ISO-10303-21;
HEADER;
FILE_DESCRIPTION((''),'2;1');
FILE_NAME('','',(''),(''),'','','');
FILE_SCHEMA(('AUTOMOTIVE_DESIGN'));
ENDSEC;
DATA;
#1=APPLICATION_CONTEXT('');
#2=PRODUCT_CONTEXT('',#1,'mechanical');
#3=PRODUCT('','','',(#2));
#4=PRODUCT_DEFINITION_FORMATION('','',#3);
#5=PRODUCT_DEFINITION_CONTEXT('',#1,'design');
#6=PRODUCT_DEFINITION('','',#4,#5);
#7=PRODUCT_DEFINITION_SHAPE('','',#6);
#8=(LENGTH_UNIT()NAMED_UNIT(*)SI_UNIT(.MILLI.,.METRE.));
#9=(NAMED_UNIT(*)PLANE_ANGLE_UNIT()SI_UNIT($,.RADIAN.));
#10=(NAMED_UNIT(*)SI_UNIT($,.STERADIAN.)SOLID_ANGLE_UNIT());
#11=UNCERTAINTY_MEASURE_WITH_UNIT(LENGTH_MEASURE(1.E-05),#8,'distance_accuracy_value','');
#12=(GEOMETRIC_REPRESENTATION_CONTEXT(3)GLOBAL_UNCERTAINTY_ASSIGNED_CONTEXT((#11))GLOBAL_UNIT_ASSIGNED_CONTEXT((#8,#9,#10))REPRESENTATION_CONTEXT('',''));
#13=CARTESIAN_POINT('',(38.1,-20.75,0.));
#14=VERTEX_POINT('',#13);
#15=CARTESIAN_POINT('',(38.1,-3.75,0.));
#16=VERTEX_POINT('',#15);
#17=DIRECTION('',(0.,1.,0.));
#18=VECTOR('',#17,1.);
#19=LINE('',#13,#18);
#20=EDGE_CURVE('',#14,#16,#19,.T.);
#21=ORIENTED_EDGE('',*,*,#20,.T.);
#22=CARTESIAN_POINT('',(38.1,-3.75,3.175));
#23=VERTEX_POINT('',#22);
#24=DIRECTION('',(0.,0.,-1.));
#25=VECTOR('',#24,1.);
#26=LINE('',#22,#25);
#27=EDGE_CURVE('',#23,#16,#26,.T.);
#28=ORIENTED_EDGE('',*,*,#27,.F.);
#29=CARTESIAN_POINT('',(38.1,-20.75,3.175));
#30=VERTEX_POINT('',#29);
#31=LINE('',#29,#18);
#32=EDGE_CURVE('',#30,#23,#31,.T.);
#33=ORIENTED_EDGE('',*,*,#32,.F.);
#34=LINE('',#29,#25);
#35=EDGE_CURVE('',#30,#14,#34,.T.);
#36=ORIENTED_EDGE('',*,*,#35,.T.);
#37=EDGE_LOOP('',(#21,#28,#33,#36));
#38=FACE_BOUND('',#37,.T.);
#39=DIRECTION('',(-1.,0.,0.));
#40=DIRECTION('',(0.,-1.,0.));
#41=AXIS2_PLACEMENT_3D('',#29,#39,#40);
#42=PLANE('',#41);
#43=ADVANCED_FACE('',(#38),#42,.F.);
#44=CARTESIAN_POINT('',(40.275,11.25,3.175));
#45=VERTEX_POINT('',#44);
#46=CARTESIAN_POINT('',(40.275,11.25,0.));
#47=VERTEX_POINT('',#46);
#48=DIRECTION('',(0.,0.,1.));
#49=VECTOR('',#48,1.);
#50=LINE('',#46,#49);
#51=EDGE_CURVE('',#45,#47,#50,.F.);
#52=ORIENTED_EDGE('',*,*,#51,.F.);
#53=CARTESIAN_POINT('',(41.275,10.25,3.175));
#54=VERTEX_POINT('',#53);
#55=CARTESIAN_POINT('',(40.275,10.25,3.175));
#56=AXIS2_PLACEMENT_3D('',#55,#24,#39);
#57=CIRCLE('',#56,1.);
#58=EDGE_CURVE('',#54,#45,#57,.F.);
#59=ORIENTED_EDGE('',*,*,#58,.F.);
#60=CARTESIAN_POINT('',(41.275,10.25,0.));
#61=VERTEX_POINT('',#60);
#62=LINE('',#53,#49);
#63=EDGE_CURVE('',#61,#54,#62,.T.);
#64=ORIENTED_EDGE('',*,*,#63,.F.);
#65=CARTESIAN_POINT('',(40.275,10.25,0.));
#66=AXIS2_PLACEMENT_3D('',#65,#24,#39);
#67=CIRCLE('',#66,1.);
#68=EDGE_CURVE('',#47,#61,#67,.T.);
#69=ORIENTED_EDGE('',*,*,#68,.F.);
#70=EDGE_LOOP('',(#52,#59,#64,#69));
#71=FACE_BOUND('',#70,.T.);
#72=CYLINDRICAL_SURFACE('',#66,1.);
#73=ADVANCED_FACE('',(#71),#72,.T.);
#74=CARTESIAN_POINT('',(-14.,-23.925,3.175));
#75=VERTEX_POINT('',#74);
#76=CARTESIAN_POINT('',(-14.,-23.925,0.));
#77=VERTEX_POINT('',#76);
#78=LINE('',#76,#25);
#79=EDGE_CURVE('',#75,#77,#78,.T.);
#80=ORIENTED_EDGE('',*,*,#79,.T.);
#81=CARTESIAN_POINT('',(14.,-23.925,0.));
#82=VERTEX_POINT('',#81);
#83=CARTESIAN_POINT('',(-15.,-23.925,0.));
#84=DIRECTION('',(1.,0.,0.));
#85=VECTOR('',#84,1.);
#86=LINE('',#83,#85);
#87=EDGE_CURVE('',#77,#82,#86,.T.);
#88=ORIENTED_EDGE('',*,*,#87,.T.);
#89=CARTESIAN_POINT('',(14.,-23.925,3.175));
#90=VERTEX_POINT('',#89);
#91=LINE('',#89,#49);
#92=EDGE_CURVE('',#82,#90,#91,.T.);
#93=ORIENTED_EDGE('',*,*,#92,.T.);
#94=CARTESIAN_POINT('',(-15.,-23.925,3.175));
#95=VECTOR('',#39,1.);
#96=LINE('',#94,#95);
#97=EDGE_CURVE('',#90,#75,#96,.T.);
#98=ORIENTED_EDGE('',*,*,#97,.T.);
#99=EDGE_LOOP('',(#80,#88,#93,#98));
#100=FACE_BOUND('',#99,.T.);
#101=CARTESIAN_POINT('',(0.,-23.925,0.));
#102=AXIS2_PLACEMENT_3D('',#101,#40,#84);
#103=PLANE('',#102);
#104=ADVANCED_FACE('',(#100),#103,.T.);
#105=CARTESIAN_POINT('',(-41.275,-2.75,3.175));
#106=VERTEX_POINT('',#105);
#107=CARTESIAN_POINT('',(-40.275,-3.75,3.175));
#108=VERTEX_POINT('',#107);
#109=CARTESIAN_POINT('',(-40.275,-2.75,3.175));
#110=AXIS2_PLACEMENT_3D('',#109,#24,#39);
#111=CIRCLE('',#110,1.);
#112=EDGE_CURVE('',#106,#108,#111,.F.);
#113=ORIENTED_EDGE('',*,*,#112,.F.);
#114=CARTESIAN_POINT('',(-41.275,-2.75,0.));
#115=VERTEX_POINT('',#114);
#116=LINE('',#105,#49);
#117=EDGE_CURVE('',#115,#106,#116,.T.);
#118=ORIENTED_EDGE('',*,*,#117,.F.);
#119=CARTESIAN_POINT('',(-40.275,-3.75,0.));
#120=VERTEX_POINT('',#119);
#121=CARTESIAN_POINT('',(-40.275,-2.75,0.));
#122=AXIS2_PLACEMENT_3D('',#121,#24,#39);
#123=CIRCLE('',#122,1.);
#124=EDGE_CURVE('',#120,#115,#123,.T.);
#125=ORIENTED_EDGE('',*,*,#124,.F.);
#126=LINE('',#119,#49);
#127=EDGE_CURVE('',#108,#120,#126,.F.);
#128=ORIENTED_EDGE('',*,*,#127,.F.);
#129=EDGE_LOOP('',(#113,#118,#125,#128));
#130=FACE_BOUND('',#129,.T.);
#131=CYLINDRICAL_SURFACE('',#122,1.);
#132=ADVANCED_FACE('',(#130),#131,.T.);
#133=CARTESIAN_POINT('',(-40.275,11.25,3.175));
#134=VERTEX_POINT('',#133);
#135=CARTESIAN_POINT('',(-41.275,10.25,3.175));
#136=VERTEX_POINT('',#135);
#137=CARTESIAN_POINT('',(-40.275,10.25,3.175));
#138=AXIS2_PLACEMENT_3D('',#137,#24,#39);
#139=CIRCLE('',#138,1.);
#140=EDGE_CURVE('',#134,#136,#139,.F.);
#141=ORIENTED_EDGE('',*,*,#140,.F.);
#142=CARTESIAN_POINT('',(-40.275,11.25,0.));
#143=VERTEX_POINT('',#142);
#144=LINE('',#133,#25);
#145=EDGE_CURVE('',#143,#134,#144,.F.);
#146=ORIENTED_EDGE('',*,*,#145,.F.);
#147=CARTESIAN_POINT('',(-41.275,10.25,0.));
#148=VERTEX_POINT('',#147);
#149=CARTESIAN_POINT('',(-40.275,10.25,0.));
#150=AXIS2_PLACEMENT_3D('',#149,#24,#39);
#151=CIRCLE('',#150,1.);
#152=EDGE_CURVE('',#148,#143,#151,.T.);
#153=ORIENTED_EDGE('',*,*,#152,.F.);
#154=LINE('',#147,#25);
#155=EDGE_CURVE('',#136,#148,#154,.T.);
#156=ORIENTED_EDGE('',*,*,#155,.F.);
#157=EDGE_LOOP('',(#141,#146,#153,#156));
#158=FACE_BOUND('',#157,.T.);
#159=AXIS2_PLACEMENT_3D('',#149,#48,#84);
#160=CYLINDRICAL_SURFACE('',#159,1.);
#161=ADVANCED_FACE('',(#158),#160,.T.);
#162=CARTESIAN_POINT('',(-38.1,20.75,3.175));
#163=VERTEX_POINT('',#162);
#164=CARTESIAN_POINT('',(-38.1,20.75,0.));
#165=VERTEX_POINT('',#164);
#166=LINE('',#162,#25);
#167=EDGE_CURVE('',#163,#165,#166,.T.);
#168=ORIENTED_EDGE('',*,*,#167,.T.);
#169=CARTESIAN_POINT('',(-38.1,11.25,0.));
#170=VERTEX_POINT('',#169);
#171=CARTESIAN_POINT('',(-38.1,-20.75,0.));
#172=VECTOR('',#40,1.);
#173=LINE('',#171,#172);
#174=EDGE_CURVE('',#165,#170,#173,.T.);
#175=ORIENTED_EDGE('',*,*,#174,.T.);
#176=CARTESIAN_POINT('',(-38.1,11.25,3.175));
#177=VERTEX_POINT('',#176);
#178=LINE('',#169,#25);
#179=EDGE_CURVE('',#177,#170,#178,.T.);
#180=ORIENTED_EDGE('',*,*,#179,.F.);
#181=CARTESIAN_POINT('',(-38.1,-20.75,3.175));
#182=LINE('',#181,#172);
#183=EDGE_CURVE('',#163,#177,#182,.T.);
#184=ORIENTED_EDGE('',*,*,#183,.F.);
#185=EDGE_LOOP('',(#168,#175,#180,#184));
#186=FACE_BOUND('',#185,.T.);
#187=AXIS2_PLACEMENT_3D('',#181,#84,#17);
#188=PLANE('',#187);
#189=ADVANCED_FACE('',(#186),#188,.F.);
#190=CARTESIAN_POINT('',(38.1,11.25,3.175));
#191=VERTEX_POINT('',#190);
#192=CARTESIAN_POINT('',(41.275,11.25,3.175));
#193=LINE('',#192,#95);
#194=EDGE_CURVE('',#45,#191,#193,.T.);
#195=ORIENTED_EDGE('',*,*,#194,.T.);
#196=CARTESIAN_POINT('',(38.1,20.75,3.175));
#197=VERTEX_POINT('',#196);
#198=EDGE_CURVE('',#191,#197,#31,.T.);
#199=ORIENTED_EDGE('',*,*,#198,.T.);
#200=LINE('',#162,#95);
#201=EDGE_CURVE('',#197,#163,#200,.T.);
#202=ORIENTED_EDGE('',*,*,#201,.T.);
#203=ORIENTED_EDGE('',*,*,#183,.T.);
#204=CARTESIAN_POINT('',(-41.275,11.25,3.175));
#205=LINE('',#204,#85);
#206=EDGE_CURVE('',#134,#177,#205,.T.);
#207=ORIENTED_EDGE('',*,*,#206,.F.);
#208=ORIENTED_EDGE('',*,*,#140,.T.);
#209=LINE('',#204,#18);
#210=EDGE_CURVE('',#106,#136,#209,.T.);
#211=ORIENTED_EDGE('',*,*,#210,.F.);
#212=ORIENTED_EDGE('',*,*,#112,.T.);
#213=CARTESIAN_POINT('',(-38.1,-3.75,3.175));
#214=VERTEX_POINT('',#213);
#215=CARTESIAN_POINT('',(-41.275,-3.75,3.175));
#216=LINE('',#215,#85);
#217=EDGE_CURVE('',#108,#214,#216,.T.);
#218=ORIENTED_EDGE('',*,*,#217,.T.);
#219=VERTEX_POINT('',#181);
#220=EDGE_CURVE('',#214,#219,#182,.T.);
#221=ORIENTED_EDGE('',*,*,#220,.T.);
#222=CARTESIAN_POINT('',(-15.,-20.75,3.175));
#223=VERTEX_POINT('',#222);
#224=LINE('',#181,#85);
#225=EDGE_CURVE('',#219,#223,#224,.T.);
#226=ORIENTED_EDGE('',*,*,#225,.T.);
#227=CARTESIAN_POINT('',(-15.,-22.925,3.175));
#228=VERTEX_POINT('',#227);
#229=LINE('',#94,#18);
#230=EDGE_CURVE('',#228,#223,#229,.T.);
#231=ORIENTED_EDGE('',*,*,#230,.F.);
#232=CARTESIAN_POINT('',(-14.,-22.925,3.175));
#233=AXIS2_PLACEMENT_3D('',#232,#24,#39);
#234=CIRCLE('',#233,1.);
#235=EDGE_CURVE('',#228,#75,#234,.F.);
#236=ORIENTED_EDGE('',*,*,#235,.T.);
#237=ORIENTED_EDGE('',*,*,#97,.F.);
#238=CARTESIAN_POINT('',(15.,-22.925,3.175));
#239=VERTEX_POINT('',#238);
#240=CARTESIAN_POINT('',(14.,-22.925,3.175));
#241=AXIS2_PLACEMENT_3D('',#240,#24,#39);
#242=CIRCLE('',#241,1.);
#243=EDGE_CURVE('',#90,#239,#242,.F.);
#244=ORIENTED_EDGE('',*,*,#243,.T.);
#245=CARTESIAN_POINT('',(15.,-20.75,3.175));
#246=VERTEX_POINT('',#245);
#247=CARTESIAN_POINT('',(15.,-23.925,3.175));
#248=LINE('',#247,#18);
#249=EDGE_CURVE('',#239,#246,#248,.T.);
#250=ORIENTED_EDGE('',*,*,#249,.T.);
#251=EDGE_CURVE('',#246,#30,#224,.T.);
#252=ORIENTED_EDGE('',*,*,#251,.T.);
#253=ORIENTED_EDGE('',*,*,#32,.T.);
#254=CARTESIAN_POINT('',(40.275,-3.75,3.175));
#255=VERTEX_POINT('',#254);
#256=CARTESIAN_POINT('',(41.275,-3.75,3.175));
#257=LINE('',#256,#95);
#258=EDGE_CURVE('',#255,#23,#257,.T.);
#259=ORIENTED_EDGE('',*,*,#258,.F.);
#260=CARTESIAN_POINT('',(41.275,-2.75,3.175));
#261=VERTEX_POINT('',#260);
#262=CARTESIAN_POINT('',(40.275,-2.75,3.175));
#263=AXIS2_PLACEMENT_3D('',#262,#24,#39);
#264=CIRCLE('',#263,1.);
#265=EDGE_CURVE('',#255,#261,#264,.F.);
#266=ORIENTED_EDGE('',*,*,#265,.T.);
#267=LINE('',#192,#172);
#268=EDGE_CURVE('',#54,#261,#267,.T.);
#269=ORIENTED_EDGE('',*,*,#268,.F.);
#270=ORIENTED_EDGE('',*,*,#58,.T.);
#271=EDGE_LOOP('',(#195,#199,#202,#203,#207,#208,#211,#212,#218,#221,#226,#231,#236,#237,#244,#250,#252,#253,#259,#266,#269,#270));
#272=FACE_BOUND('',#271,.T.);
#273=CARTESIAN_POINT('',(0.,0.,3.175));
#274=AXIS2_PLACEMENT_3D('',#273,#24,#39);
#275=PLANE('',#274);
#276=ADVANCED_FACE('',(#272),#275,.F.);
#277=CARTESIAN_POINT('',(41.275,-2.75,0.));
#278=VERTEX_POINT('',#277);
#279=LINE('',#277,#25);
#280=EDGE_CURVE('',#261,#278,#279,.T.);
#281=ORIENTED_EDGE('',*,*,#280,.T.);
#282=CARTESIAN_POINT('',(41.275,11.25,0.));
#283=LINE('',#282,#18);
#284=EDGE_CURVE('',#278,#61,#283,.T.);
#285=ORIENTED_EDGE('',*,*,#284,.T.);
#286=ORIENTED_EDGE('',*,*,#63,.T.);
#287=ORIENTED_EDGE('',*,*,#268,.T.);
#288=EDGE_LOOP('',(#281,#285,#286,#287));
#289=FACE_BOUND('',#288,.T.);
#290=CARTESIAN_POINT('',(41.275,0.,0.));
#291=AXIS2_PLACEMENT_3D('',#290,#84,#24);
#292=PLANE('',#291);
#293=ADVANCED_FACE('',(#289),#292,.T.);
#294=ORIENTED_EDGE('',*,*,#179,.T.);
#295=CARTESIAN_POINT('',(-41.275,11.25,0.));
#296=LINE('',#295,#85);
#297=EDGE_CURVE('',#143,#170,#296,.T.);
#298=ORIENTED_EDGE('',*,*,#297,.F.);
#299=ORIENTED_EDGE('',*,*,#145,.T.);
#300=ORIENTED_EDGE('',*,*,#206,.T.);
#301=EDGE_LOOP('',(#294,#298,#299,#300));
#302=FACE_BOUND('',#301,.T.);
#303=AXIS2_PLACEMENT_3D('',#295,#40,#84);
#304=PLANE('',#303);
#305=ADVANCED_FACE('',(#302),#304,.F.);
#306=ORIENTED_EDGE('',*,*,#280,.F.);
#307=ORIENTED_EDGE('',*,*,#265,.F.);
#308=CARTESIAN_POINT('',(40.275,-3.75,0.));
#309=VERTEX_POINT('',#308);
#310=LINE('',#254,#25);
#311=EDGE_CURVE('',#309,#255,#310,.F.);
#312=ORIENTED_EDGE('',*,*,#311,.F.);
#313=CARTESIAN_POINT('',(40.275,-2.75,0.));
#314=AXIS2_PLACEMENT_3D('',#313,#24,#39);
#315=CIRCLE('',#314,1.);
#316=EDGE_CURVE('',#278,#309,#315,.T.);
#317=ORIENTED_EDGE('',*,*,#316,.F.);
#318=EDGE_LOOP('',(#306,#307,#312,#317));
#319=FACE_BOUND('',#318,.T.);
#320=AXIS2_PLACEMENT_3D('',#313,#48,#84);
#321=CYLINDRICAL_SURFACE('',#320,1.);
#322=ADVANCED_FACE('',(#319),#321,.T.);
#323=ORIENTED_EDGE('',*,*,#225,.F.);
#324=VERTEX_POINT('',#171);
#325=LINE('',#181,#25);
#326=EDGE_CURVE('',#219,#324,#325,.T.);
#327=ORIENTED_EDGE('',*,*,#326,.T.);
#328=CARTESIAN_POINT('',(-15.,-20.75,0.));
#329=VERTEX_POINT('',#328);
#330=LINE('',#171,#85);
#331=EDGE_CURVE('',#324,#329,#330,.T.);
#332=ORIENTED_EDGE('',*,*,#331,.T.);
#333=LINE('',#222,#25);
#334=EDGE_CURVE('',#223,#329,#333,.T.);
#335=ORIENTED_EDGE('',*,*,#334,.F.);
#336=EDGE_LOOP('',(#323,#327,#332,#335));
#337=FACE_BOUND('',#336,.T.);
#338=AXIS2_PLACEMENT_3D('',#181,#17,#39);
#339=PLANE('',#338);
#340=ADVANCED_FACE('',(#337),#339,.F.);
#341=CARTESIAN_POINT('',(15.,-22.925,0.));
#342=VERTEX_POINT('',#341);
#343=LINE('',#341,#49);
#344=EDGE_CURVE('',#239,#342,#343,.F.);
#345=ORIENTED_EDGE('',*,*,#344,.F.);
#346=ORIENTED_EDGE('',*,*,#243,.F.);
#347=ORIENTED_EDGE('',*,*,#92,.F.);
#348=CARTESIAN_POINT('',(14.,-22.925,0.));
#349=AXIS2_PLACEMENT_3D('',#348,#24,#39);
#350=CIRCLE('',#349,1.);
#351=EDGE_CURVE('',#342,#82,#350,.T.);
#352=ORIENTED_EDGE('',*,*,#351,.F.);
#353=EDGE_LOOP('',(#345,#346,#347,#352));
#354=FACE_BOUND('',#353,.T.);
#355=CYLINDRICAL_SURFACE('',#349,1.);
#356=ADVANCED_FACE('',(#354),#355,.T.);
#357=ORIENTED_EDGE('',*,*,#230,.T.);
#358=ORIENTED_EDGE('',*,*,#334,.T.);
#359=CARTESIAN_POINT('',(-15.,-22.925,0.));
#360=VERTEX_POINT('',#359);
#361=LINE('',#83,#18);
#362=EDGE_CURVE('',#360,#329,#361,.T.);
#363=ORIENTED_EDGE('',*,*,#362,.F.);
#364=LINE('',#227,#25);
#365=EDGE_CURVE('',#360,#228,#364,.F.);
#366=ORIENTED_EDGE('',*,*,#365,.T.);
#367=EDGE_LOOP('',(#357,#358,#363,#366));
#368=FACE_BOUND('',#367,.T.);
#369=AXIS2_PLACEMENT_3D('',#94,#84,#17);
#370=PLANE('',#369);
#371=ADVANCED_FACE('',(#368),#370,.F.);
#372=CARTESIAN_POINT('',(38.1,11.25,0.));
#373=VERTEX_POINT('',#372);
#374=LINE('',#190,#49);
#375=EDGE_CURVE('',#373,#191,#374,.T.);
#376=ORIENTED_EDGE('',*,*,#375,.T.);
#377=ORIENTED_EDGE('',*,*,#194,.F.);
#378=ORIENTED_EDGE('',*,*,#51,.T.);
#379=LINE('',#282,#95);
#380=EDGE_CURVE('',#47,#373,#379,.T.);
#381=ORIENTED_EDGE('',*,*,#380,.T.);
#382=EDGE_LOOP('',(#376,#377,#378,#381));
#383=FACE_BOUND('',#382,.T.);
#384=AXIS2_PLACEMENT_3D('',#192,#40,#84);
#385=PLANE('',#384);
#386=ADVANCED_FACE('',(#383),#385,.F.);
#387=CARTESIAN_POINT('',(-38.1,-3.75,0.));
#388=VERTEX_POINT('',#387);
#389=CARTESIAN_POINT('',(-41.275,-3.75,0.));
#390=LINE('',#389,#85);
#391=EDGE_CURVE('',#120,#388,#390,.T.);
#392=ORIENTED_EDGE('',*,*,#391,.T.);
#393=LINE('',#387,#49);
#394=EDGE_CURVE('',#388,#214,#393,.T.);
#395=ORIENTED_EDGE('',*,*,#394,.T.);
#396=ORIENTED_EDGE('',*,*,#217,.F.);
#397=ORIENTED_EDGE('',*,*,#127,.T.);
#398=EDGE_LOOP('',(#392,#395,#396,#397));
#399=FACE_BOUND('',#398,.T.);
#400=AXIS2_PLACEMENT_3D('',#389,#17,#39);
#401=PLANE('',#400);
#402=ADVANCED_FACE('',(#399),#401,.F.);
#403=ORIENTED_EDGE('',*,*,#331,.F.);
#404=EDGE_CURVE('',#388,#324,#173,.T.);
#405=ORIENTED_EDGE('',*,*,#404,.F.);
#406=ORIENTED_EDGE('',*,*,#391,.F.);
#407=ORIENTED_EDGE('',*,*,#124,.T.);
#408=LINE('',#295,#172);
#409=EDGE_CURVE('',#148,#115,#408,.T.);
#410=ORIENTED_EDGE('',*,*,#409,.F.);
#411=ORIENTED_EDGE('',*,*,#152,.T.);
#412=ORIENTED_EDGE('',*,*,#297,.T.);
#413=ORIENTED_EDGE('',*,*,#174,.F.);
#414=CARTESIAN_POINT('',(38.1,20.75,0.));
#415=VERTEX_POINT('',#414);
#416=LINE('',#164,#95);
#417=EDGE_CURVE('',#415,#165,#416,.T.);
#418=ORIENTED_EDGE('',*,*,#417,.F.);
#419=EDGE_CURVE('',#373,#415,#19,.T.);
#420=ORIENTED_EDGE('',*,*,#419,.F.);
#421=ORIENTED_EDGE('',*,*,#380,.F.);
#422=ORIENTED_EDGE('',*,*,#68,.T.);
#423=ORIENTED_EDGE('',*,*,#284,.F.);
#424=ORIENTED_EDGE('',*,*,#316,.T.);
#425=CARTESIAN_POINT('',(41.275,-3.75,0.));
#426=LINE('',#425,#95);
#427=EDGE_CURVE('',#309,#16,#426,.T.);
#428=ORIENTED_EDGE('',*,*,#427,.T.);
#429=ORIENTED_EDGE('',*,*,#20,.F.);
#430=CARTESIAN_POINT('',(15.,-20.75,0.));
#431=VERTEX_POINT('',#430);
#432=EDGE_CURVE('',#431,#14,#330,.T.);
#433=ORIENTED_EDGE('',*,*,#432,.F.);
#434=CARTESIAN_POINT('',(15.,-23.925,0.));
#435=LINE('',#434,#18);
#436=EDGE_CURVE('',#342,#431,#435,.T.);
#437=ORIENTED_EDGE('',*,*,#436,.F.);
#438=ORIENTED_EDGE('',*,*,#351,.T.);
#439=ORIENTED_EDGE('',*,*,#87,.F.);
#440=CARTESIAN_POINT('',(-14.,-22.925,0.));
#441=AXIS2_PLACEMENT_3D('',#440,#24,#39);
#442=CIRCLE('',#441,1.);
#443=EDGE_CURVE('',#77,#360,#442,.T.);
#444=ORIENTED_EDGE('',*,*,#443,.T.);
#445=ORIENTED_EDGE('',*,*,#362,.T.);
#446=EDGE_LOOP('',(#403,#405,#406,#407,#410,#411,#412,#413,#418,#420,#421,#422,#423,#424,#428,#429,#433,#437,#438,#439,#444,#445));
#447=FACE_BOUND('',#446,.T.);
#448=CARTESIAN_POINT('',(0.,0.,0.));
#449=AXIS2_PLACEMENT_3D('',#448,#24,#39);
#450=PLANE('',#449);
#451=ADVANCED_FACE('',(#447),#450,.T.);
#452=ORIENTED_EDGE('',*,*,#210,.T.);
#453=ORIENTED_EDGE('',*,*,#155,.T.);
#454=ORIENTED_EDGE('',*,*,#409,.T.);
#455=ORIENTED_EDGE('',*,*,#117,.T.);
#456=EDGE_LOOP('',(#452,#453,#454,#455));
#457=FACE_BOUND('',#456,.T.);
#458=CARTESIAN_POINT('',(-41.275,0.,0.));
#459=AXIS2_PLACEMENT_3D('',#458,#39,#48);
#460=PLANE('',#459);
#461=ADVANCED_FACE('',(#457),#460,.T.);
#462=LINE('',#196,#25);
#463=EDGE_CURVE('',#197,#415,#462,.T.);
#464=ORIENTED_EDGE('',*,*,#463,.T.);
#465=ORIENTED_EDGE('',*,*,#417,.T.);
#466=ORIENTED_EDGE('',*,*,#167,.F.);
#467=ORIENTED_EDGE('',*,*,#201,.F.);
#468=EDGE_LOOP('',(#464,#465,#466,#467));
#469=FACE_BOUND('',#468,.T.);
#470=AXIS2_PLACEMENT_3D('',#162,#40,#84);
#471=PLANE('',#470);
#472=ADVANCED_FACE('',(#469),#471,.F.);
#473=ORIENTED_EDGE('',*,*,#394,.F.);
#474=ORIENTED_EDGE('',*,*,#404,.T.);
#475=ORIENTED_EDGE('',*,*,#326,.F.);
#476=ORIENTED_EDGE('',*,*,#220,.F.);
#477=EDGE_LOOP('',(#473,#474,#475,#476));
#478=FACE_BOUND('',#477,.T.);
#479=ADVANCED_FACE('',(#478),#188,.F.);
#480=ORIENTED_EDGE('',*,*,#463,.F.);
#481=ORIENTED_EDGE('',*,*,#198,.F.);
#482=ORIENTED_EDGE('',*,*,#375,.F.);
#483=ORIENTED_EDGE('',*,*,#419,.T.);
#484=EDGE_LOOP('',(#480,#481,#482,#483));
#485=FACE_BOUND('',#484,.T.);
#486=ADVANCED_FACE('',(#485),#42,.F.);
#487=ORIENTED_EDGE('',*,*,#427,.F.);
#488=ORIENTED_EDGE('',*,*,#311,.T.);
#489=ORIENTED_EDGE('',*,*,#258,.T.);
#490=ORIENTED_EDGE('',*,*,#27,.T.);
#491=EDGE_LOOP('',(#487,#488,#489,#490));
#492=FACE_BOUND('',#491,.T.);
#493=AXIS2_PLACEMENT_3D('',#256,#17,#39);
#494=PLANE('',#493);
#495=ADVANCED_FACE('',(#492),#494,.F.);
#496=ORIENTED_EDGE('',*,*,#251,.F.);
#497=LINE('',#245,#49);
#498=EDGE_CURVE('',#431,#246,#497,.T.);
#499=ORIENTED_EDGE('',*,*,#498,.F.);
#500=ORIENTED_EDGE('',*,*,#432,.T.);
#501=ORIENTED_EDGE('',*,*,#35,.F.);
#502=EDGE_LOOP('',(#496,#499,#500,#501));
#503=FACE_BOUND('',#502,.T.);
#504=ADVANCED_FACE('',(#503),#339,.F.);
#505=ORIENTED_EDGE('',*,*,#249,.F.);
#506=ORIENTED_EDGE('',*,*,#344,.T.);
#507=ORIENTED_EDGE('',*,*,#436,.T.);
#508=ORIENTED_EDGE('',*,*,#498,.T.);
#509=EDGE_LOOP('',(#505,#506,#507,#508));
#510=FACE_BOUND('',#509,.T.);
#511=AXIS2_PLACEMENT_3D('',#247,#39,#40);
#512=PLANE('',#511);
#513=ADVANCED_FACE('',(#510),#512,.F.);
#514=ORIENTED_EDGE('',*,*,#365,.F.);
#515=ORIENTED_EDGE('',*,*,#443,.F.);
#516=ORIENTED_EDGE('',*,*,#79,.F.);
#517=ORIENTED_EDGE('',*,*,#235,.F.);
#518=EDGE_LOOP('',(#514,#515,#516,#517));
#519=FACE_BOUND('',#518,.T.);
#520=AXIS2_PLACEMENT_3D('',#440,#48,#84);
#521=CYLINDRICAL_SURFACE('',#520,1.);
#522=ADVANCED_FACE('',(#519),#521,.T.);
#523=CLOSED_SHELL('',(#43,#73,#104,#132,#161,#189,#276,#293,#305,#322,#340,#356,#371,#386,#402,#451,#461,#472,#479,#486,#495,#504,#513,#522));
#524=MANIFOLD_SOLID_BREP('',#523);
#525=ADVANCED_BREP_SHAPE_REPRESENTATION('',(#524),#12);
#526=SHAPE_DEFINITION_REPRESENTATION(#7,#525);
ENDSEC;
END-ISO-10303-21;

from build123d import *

# Parameters (mm, degrees)
SKETCH1_W           = 76.2
SKETCH1_H           = 41.5
BOSS_EXTRUDE1_DEPTH = 3.175
SKETCH2_W           = 3.175
SKETCH2_H           = 15
BOSS_EXTRUDE2_DEPTH = 3.175
SKETCH4_W           = 30
SKETCH4_H           = 3.175
BOSS_EXTRUDE4_DEPTH = 3.175
SKETCH5_W           = 3.175
SKETCH5_H           = 15
BOSS_EXTRUDE5_DEPTH = 3.175
FILLET1_R           = 1


with BuildPart() as part:
    # Sketch1 → Boss-Extrude1 (new body)
    with BuildSketch(Plane.XY):
        Rectangle(SKETCH1_W, SKETCH1_H)
    extrude(amount=BOSS_EXTRUDE1_DEPTH)

    # Sketch2 → Boss-Extrude2 (add)
    with BuildSketch(Plane(origin=(38.1, 0, 0), x_dir=(0, 0, -1), z_dir=(1, 0, 0))):
        with Locations((-1.5875, 3.75)):
            Rectangle(SKETCH2_W, SKETCH2_H)
    extrude(amount=BOSS_EXTRUDE2_DEPTH)

    # Sketch4 → Boss-Extrude4 (add)
    with BuildSketch(Plane.XZ.offset(20.75)):
        with Locations((0, 1.5875)):
            Rectangle(SKETCH4_W, SKETCH4_H)
    extrude(amount=BOSS_EXTRUDE4_DEPTH)

    # Sketch5 → Boss-Extrude5 (add)
    with BuildSketch(Plane.ZY.offset(38.1)):
        with Locations((1.5875, 3.75)):
            Rectangle(SKETCH5_W, SKETCH5_H)
    extrude(amount=BOSS_EXTRUDE5_DEPTH)

    # Fillet1
    fillet1_edges = [part.edges().sort_by_distance(p)[0] for p in [
        (41.275, -3.75, 1.5875),
        (41.275, 11.25, 1.5875),
        (-15, -23.925, 1.5875),
        (15, -23.925, 1.5875),
        (-41.275, -3.75, 1.5875),
        (-41.275, 11.25, 1.5875),
    ]]
    fillet(fillet1_edges, radius=FILLET1_R)


solid = part.part
